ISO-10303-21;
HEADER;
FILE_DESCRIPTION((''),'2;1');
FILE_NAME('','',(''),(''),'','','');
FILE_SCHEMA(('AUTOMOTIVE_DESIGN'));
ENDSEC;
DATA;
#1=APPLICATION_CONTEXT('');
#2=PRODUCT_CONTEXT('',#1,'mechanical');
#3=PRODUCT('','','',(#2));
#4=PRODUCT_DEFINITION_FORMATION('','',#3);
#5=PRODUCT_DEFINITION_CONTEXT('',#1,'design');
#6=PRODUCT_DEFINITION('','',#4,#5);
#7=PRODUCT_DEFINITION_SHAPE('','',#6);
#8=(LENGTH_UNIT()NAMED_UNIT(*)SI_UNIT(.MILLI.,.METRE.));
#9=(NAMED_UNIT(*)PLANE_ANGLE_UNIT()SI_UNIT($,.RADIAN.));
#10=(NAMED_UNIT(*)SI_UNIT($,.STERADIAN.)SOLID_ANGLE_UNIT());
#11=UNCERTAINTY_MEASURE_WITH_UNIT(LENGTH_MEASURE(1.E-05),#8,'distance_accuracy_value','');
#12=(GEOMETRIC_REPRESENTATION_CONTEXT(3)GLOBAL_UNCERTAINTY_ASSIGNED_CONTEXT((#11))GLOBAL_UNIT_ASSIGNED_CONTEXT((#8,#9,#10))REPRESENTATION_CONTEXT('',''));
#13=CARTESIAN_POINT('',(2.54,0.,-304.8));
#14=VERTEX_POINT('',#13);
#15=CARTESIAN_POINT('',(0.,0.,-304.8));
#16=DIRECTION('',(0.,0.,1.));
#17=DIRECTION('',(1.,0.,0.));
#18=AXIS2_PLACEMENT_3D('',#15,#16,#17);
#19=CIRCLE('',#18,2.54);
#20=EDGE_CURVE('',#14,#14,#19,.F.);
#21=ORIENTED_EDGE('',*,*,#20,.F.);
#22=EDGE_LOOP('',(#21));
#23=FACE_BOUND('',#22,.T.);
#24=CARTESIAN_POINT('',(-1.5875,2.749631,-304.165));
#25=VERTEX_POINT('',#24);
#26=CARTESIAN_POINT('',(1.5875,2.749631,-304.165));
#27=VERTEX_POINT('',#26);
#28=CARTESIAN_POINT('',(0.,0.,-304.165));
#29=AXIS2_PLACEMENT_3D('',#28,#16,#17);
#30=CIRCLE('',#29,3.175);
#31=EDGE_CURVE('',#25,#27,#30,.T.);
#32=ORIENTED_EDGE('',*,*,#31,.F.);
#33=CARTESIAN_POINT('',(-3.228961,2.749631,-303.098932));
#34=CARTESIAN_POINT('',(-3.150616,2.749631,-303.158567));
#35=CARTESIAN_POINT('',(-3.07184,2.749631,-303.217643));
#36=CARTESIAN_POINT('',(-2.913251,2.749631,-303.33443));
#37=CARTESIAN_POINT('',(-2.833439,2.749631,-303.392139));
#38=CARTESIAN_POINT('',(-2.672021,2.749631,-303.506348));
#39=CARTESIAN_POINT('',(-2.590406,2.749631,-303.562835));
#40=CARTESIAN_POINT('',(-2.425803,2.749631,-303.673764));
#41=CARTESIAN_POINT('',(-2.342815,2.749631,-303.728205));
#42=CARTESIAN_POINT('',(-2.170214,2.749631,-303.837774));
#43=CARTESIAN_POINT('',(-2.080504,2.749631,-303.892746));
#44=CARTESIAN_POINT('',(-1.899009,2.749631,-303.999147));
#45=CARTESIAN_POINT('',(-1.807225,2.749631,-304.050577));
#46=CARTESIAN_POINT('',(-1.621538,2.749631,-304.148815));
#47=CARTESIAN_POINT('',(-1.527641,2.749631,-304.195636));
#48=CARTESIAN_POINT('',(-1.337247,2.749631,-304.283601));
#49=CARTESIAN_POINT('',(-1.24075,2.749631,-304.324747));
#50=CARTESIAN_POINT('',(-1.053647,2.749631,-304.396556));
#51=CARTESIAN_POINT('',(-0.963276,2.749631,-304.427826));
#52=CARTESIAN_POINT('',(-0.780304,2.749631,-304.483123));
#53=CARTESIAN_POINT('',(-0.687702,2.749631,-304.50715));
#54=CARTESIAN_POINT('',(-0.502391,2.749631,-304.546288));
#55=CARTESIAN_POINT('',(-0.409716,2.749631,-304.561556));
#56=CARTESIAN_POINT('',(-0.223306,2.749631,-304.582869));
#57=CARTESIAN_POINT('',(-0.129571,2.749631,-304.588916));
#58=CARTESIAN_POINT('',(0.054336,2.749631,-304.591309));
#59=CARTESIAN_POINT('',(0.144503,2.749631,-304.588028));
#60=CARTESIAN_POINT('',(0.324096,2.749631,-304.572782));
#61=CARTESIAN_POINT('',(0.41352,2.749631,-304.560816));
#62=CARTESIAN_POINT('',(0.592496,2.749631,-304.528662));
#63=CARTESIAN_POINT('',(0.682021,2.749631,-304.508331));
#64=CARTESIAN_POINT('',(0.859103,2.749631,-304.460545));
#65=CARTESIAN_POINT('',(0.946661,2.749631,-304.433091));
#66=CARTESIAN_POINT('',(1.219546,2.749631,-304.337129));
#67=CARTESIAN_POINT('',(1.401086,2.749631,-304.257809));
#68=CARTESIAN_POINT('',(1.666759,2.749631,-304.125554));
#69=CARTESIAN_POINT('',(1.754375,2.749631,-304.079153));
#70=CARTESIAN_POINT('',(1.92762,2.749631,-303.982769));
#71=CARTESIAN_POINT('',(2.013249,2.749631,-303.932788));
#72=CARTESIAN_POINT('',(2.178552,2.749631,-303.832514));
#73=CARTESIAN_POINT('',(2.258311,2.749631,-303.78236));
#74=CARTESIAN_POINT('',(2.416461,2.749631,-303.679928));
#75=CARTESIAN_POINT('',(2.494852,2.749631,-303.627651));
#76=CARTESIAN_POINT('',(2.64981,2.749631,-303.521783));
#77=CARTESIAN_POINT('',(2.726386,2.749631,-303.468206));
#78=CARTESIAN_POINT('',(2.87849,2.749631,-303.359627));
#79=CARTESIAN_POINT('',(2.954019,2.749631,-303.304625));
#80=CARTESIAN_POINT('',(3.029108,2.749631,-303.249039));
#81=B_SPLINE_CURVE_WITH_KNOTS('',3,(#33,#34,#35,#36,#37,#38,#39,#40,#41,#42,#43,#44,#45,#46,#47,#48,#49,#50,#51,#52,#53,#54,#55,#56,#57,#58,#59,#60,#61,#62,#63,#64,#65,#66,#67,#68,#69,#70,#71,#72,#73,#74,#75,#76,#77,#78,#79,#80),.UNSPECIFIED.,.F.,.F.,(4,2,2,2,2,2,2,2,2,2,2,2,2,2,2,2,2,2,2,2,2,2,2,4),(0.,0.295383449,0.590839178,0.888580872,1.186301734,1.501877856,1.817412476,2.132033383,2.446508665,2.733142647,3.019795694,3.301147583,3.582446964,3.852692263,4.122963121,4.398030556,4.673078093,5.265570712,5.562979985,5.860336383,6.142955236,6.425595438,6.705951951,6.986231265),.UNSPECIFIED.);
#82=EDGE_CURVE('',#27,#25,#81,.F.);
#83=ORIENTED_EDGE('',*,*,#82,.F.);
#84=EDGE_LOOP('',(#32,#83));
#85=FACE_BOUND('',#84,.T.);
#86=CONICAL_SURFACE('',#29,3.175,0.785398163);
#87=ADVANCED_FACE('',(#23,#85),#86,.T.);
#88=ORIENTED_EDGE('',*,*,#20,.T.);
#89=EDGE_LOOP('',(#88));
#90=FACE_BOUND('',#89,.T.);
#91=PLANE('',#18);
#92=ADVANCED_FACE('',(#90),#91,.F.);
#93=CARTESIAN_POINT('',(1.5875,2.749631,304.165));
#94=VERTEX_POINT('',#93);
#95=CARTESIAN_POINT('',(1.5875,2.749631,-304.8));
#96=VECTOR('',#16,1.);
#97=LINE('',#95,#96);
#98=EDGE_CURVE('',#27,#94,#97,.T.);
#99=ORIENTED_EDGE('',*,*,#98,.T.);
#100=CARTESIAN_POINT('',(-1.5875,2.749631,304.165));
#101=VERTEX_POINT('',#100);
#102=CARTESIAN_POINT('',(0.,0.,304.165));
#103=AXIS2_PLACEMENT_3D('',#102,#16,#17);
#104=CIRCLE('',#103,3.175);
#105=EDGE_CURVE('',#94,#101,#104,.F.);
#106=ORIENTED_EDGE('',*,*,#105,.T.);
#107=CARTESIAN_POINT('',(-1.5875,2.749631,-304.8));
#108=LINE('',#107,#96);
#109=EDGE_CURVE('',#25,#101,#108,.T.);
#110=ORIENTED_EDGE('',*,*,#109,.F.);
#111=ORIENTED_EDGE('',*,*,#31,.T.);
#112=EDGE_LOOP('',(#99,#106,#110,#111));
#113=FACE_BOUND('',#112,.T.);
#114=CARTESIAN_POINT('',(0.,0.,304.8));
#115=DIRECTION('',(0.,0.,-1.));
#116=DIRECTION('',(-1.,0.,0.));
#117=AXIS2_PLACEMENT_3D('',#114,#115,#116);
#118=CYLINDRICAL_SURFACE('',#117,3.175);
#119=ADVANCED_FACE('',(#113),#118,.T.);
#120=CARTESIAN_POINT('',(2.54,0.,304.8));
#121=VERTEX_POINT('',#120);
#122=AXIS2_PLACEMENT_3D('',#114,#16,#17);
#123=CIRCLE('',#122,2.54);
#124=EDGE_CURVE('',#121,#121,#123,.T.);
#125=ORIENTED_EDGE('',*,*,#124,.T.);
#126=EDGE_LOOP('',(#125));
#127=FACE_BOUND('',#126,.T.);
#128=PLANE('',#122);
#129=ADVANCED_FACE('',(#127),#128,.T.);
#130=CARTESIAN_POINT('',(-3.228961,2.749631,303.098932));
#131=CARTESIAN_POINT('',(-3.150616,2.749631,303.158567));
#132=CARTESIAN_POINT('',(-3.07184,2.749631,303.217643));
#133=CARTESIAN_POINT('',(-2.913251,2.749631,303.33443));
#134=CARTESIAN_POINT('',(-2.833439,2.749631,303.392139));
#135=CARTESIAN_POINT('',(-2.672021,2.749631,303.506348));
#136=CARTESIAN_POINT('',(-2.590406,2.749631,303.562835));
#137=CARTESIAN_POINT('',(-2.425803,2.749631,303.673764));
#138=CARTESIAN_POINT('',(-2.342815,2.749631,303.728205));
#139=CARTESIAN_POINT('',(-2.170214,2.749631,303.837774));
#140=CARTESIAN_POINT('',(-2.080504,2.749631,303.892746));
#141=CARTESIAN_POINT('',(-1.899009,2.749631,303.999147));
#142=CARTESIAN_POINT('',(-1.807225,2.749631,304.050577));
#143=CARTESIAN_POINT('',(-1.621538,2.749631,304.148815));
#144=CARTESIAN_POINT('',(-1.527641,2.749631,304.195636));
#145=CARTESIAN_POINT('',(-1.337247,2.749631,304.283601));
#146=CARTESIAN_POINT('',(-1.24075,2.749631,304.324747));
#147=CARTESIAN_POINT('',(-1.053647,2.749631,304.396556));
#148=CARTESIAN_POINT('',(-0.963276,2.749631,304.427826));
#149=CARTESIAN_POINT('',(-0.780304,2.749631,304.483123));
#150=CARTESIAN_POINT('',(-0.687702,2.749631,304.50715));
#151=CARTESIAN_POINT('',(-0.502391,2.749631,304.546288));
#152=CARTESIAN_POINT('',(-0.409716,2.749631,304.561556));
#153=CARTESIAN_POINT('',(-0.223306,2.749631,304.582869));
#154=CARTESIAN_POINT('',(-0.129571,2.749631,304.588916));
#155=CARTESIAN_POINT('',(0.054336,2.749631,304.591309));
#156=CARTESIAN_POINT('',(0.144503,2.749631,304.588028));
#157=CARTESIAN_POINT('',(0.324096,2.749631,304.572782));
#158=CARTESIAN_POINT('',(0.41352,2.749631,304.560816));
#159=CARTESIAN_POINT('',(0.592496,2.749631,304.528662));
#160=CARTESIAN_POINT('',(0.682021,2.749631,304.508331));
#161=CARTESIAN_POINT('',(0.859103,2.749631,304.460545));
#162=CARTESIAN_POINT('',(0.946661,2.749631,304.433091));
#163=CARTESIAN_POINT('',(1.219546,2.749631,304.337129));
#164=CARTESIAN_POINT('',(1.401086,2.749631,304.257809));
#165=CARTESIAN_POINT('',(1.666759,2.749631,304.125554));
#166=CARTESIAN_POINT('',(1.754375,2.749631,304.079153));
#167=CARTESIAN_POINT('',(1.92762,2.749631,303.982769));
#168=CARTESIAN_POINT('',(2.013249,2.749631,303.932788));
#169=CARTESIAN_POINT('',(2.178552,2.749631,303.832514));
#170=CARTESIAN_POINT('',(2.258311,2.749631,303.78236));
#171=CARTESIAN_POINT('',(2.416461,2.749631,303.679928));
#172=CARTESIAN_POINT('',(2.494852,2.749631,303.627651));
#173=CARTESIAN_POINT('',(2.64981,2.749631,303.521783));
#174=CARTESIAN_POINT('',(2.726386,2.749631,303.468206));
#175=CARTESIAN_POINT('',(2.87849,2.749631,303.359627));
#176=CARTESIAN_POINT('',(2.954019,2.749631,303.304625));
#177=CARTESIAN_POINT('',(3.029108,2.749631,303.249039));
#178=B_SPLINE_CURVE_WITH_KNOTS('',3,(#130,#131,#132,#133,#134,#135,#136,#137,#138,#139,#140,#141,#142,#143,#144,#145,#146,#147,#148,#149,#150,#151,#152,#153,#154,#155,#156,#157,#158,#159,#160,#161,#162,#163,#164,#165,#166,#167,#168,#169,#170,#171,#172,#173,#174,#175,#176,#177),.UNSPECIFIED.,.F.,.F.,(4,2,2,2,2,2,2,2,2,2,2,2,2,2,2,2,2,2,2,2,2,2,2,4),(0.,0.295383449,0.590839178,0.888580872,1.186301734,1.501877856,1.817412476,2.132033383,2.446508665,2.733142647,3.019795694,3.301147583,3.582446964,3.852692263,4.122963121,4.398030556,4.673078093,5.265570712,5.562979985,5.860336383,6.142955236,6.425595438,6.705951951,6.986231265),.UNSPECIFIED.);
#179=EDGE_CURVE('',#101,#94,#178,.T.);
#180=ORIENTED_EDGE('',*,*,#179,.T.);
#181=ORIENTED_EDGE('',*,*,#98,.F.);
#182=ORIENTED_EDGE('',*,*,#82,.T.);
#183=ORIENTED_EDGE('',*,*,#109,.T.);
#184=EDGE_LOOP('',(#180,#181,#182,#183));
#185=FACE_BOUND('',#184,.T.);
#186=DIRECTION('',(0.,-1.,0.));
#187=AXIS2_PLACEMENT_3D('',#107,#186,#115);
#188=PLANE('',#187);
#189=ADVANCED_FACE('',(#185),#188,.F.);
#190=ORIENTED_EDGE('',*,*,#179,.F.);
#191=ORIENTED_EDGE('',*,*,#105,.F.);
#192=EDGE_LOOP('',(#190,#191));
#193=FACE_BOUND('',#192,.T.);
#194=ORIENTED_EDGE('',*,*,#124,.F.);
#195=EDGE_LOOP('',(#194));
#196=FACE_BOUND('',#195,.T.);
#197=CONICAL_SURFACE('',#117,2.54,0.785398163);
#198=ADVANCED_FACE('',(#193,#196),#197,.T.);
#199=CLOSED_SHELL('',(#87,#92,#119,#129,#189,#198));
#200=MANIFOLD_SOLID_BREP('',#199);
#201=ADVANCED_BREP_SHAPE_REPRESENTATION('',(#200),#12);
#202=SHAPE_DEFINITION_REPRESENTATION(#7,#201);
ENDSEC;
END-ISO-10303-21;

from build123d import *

# Parameters (mm, degrees)
SKETCH1_R           = 3.175
EXTRUDE1_DEPTH      = 304.8
CHAMFER1_SIZE       = 0.635
EXTRUDE7_DEPTH      = 305.8
EXTRUDE7_DEPTH_BACK = 305.8


with BuildPart() as part:
    # Sketch1 → Extrude1 (new body, symmetric)
    with BuildSketch(Plane.XY):
        Circle(SKETCH1_R)
    extrude(amount=EXTRUDE1_DEPTH, both=True)

    # Chamfer1
    chamfer1_edges = [part.edges().sort_by_distance(p)[0] for p in [
        (-3.175, 0, -304.8),
        (-3.175, 0, 304.8),
    ]]
    chamfer(chamfer1_edges, length=CHAMFER1_SIZE)

    # Sketch13 → Extrude7 (cut, two sides)
    with BuildSketch(Plane.XY) as extrude7_sk:
        with BuildLine():
            Line((-1.5875, 2.749630657), (1.5875, 2.749630657))
            ThreePointArc((1.5875, 2.749630657), (0, 3.175), (-1.5875, 2.749630657))
        make_face()
    extrude(amount=EXTRUDE7_DEPTH, mode=Mode.SUBTRACT)
    extrude(extrude7_sk.sketch, amount=-EXTRUDE7_DEPTH_BACK, mode=Mode.SUBTRACT)


solid = part.part
